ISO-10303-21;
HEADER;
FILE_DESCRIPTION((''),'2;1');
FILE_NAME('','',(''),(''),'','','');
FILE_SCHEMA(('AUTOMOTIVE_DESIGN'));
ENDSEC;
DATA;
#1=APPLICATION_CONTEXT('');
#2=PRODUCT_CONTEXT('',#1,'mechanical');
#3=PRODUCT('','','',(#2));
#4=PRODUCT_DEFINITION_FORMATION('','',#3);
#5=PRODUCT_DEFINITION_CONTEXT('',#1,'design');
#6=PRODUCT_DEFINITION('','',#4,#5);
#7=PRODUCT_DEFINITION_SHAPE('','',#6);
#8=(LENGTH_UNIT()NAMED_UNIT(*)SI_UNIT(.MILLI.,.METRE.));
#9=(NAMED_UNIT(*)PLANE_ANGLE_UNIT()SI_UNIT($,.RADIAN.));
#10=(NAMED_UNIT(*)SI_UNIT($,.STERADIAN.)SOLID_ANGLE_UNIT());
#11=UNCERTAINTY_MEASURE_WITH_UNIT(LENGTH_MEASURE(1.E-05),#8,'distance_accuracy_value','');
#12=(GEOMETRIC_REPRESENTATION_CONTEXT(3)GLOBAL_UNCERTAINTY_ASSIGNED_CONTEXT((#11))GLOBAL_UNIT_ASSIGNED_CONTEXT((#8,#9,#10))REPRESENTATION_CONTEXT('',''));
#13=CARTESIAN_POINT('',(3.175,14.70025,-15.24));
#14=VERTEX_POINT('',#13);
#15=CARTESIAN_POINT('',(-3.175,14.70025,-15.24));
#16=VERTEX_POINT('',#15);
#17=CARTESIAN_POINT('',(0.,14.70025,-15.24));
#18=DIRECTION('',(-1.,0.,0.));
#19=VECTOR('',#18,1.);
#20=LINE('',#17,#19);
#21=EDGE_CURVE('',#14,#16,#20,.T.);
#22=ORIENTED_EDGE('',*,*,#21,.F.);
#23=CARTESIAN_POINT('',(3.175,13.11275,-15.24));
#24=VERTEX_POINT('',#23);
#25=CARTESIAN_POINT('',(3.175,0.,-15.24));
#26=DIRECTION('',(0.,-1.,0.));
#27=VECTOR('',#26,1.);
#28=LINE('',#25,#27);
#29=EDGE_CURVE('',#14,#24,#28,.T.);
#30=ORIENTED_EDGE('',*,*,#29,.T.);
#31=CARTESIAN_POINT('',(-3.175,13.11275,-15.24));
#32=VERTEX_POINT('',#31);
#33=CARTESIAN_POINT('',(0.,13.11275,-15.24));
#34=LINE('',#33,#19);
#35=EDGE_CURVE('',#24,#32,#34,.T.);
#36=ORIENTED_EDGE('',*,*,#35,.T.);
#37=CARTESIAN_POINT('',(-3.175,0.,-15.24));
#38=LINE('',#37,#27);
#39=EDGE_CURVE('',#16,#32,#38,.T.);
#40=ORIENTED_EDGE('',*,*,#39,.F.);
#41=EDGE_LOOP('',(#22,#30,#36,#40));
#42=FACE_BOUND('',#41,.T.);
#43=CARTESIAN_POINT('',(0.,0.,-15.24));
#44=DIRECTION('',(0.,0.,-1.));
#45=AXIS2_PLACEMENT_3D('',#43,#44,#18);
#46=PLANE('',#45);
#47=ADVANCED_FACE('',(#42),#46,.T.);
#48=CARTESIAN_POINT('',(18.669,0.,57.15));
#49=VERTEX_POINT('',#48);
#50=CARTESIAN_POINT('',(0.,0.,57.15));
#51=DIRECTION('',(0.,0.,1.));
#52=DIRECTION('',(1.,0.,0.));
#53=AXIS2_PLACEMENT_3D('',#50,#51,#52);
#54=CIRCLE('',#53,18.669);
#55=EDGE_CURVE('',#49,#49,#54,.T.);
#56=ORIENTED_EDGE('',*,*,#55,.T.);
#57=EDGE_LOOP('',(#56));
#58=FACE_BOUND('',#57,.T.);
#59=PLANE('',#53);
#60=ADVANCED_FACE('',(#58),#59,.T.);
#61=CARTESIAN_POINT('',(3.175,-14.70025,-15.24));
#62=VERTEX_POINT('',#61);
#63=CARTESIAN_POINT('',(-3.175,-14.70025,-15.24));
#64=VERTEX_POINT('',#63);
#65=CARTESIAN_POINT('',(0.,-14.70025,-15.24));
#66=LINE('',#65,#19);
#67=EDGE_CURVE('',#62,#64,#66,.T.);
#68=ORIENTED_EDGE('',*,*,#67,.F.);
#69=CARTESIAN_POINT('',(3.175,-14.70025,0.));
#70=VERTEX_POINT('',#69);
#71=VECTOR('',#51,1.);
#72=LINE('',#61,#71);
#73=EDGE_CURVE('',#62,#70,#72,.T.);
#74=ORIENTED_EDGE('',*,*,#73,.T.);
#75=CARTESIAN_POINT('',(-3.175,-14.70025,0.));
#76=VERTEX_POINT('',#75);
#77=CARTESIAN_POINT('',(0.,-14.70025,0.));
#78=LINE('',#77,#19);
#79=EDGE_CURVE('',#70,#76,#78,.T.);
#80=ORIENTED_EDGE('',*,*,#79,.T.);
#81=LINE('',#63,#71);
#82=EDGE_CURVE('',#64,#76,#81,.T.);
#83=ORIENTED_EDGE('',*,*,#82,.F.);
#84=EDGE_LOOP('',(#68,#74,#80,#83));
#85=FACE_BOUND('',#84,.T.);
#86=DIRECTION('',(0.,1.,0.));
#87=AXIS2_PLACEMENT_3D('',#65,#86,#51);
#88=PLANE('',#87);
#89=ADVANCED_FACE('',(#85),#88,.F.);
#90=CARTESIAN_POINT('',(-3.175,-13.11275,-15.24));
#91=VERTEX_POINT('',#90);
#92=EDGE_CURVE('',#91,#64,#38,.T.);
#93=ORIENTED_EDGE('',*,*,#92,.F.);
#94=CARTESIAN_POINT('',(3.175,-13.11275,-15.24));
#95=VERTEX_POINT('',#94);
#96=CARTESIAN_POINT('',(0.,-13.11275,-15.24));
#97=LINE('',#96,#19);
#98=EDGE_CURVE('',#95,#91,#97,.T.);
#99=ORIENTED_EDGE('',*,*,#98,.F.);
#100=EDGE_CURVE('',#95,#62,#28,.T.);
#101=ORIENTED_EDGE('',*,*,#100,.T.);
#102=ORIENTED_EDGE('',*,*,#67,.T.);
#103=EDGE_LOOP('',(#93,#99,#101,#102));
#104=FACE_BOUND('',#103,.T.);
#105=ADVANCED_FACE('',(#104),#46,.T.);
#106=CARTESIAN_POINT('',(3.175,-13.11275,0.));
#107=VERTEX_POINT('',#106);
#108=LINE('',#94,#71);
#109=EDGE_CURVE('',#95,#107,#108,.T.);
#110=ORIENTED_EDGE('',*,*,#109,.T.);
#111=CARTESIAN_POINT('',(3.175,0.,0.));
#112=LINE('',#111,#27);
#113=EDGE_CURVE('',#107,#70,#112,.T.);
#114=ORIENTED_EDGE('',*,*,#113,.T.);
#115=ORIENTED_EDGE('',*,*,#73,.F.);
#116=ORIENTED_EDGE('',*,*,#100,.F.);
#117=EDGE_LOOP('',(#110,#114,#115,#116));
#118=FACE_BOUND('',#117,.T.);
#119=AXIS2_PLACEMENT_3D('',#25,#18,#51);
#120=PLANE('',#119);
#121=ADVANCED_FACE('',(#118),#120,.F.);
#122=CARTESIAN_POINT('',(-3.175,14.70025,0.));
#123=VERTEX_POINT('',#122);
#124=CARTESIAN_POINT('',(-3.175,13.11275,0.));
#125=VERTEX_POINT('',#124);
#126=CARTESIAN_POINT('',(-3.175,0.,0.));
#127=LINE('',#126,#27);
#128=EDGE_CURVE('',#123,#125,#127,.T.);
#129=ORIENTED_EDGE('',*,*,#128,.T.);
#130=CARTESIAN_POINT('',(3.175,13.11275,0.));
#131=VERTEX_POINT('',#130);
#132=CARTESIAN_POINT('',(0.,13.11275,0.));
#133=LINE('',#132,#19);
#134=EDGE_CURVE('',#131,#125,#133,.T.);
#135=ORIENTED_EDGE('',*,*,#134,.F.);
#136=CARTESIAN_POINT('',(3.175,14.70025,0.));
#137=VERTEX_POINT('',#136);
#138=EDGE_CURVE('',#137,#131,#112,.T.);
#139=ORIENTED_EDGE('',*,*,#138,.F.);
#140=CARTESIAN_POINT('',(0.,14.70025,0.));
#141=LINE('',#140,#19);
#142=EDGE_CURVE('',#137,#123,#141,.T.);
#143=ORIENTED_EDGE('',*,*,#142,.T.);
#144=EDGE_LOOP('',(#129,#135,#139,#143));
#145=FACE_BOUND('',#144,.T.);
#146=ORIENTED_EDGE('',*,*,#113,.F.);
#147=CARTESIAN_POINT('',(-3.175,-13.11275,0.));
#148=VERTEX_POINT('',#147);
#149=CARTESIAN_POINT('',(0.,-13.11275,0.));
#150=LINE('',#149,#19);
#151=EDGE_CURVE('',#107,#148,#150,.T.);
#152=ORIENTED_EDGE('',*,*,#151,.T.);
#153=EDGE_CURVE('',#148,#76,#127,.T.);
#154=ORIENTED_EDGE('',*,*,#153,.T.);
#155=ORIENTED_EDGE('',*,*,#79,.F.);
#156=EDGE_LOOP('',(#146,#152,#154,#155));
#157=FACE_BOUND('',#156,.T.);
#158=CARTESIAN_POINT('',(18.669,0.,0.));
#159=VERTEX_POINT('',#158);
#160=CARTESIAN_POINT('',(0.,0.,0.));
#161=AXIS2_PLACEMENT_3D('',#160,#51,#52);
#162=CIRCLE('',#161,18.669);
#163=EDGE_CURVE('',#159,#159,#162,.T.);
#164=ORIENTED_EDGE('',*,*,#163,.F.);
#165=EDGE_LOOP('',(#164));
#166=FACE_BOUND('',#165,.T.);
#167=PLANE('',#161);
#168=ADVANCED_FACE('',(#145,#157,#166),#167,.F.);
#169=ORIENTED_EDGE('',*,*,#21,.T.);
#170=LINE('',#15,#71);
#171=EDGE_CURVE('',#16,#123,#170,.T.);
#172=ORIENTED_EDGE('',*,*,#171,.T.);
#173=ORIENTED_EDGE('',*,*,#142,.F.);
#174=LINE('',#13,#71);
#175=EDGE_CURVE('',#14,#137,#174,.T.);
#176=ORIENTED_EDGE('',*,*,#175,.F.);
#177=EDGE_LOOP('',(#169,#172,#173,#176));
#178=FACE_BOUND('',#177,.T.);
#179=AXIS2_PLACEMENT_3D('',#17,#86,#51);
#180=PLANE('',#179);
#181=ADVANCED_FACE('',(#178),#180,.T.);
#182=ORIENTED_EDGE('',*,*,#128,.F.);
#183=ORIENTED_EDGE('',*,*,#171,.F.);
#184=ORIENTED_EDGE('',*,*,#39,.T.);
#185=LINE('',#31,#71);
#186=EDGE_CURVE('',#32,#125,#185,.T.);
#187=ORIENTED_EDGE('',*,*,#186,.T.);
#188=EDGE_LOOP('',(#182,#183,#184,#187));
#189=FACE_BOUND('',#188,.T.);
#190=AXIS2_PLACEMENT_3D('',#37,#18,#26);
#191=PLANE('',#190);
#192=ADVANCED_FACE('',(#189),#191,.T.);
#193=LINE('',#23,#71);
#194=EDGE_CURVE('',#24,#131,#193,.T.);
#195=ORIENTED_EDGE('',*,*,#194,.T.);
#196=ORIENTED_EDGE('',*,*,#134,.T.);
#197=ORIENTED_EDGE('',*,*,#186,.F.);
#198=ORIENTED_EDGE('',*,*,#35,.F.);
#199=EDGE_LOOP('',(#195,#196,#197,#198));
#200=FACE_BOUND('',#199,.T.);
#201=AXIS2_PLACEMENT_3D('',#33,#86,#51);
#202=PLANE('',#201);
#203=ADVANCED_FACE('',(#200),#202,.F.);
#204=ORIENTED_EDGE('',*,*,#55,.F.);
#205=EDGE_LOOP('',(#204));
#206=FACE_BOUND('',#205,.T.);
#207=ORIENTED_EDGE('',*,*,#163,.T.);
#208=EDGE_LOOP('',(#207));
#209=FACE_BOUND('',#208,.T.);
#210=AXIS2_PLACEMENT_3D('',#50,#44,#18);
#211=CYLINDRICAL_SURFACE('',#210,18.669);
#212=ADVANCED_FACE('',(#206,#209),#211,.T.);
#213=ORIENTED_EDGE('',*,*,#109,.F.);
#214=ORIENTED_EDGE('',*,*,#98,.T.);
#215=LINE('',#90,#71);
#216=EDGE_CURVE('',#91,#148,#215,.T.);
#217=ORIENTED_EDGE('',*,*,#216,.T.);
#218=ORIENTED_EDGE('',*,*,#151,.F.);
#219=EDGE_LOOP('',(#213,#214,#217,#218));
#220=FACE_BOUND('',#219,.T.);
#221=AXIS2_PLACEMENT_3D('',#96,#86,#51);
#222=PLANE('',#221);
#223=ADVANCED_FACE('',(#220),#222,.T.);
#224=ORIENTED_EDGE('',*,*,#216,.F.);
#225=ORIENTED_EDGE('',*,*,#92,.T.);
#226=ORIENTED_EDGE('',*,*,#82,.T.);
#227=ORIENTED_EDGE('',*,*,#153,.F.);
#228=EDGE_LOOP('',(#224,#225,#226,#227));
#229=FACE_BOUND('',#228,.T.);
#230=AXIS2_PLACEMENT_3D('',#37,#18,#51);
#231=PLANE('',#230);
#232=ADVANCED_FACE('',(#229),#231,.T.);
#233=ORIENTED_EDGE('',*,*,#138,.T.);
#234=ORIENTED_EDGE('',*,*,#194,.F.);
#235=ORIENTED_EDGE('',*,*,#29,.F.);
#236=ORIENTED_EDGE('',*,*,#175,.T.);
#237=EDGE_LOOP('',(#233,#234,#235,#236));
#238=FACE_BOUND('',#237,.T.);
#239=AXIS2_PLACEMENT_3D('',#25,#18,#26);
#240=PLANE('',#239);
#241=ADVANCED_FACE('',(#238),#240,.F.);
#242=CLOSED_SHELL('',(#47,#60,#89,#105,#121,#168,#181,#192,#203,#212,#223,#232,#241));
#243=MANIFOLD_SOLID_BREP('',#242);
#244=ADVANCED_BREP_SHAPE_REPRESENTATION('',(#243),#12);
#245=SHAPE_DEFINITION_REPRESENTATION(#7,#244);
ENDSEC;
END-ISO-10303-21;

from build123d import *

# Parameters (mm, degrees)
SKETCH1_R           = 18.669
BOSS_EXTRUDE1_DEPTH = 57.15
SKETCH2_W           = 6.35
SKETCH2_H           = 1.5875
BOSS_EXTRUDE2_DEPTH = 15.24


with BuildPart() as part:
    # Sketch1 → Boss-Extrude1 (new body)
    with BuildSketch(Plane.XY):
        Circle(SKETCH1_R)
    extrude(amount=BOSS_EXTRUDE1_DEPTH)

    # Sketch2 → Boss-Extrude2 (add)
    with BuildSketch(Plane(origin=(0, 0, 0), x_dir=(-1, 0, 0), z_dir=(0, 0, -1))):
        with Locations((0, 13.9065)):
            Rectangle(SKETCH2_W, SKETCH2_H)
        with Locations((0, -13.9065)):
            Rectangle(SKETCH2_W, SKETCH2_H)
    extrude(amount=BOSS_EXTRUDE2_DEPTH)


solid = part.part
